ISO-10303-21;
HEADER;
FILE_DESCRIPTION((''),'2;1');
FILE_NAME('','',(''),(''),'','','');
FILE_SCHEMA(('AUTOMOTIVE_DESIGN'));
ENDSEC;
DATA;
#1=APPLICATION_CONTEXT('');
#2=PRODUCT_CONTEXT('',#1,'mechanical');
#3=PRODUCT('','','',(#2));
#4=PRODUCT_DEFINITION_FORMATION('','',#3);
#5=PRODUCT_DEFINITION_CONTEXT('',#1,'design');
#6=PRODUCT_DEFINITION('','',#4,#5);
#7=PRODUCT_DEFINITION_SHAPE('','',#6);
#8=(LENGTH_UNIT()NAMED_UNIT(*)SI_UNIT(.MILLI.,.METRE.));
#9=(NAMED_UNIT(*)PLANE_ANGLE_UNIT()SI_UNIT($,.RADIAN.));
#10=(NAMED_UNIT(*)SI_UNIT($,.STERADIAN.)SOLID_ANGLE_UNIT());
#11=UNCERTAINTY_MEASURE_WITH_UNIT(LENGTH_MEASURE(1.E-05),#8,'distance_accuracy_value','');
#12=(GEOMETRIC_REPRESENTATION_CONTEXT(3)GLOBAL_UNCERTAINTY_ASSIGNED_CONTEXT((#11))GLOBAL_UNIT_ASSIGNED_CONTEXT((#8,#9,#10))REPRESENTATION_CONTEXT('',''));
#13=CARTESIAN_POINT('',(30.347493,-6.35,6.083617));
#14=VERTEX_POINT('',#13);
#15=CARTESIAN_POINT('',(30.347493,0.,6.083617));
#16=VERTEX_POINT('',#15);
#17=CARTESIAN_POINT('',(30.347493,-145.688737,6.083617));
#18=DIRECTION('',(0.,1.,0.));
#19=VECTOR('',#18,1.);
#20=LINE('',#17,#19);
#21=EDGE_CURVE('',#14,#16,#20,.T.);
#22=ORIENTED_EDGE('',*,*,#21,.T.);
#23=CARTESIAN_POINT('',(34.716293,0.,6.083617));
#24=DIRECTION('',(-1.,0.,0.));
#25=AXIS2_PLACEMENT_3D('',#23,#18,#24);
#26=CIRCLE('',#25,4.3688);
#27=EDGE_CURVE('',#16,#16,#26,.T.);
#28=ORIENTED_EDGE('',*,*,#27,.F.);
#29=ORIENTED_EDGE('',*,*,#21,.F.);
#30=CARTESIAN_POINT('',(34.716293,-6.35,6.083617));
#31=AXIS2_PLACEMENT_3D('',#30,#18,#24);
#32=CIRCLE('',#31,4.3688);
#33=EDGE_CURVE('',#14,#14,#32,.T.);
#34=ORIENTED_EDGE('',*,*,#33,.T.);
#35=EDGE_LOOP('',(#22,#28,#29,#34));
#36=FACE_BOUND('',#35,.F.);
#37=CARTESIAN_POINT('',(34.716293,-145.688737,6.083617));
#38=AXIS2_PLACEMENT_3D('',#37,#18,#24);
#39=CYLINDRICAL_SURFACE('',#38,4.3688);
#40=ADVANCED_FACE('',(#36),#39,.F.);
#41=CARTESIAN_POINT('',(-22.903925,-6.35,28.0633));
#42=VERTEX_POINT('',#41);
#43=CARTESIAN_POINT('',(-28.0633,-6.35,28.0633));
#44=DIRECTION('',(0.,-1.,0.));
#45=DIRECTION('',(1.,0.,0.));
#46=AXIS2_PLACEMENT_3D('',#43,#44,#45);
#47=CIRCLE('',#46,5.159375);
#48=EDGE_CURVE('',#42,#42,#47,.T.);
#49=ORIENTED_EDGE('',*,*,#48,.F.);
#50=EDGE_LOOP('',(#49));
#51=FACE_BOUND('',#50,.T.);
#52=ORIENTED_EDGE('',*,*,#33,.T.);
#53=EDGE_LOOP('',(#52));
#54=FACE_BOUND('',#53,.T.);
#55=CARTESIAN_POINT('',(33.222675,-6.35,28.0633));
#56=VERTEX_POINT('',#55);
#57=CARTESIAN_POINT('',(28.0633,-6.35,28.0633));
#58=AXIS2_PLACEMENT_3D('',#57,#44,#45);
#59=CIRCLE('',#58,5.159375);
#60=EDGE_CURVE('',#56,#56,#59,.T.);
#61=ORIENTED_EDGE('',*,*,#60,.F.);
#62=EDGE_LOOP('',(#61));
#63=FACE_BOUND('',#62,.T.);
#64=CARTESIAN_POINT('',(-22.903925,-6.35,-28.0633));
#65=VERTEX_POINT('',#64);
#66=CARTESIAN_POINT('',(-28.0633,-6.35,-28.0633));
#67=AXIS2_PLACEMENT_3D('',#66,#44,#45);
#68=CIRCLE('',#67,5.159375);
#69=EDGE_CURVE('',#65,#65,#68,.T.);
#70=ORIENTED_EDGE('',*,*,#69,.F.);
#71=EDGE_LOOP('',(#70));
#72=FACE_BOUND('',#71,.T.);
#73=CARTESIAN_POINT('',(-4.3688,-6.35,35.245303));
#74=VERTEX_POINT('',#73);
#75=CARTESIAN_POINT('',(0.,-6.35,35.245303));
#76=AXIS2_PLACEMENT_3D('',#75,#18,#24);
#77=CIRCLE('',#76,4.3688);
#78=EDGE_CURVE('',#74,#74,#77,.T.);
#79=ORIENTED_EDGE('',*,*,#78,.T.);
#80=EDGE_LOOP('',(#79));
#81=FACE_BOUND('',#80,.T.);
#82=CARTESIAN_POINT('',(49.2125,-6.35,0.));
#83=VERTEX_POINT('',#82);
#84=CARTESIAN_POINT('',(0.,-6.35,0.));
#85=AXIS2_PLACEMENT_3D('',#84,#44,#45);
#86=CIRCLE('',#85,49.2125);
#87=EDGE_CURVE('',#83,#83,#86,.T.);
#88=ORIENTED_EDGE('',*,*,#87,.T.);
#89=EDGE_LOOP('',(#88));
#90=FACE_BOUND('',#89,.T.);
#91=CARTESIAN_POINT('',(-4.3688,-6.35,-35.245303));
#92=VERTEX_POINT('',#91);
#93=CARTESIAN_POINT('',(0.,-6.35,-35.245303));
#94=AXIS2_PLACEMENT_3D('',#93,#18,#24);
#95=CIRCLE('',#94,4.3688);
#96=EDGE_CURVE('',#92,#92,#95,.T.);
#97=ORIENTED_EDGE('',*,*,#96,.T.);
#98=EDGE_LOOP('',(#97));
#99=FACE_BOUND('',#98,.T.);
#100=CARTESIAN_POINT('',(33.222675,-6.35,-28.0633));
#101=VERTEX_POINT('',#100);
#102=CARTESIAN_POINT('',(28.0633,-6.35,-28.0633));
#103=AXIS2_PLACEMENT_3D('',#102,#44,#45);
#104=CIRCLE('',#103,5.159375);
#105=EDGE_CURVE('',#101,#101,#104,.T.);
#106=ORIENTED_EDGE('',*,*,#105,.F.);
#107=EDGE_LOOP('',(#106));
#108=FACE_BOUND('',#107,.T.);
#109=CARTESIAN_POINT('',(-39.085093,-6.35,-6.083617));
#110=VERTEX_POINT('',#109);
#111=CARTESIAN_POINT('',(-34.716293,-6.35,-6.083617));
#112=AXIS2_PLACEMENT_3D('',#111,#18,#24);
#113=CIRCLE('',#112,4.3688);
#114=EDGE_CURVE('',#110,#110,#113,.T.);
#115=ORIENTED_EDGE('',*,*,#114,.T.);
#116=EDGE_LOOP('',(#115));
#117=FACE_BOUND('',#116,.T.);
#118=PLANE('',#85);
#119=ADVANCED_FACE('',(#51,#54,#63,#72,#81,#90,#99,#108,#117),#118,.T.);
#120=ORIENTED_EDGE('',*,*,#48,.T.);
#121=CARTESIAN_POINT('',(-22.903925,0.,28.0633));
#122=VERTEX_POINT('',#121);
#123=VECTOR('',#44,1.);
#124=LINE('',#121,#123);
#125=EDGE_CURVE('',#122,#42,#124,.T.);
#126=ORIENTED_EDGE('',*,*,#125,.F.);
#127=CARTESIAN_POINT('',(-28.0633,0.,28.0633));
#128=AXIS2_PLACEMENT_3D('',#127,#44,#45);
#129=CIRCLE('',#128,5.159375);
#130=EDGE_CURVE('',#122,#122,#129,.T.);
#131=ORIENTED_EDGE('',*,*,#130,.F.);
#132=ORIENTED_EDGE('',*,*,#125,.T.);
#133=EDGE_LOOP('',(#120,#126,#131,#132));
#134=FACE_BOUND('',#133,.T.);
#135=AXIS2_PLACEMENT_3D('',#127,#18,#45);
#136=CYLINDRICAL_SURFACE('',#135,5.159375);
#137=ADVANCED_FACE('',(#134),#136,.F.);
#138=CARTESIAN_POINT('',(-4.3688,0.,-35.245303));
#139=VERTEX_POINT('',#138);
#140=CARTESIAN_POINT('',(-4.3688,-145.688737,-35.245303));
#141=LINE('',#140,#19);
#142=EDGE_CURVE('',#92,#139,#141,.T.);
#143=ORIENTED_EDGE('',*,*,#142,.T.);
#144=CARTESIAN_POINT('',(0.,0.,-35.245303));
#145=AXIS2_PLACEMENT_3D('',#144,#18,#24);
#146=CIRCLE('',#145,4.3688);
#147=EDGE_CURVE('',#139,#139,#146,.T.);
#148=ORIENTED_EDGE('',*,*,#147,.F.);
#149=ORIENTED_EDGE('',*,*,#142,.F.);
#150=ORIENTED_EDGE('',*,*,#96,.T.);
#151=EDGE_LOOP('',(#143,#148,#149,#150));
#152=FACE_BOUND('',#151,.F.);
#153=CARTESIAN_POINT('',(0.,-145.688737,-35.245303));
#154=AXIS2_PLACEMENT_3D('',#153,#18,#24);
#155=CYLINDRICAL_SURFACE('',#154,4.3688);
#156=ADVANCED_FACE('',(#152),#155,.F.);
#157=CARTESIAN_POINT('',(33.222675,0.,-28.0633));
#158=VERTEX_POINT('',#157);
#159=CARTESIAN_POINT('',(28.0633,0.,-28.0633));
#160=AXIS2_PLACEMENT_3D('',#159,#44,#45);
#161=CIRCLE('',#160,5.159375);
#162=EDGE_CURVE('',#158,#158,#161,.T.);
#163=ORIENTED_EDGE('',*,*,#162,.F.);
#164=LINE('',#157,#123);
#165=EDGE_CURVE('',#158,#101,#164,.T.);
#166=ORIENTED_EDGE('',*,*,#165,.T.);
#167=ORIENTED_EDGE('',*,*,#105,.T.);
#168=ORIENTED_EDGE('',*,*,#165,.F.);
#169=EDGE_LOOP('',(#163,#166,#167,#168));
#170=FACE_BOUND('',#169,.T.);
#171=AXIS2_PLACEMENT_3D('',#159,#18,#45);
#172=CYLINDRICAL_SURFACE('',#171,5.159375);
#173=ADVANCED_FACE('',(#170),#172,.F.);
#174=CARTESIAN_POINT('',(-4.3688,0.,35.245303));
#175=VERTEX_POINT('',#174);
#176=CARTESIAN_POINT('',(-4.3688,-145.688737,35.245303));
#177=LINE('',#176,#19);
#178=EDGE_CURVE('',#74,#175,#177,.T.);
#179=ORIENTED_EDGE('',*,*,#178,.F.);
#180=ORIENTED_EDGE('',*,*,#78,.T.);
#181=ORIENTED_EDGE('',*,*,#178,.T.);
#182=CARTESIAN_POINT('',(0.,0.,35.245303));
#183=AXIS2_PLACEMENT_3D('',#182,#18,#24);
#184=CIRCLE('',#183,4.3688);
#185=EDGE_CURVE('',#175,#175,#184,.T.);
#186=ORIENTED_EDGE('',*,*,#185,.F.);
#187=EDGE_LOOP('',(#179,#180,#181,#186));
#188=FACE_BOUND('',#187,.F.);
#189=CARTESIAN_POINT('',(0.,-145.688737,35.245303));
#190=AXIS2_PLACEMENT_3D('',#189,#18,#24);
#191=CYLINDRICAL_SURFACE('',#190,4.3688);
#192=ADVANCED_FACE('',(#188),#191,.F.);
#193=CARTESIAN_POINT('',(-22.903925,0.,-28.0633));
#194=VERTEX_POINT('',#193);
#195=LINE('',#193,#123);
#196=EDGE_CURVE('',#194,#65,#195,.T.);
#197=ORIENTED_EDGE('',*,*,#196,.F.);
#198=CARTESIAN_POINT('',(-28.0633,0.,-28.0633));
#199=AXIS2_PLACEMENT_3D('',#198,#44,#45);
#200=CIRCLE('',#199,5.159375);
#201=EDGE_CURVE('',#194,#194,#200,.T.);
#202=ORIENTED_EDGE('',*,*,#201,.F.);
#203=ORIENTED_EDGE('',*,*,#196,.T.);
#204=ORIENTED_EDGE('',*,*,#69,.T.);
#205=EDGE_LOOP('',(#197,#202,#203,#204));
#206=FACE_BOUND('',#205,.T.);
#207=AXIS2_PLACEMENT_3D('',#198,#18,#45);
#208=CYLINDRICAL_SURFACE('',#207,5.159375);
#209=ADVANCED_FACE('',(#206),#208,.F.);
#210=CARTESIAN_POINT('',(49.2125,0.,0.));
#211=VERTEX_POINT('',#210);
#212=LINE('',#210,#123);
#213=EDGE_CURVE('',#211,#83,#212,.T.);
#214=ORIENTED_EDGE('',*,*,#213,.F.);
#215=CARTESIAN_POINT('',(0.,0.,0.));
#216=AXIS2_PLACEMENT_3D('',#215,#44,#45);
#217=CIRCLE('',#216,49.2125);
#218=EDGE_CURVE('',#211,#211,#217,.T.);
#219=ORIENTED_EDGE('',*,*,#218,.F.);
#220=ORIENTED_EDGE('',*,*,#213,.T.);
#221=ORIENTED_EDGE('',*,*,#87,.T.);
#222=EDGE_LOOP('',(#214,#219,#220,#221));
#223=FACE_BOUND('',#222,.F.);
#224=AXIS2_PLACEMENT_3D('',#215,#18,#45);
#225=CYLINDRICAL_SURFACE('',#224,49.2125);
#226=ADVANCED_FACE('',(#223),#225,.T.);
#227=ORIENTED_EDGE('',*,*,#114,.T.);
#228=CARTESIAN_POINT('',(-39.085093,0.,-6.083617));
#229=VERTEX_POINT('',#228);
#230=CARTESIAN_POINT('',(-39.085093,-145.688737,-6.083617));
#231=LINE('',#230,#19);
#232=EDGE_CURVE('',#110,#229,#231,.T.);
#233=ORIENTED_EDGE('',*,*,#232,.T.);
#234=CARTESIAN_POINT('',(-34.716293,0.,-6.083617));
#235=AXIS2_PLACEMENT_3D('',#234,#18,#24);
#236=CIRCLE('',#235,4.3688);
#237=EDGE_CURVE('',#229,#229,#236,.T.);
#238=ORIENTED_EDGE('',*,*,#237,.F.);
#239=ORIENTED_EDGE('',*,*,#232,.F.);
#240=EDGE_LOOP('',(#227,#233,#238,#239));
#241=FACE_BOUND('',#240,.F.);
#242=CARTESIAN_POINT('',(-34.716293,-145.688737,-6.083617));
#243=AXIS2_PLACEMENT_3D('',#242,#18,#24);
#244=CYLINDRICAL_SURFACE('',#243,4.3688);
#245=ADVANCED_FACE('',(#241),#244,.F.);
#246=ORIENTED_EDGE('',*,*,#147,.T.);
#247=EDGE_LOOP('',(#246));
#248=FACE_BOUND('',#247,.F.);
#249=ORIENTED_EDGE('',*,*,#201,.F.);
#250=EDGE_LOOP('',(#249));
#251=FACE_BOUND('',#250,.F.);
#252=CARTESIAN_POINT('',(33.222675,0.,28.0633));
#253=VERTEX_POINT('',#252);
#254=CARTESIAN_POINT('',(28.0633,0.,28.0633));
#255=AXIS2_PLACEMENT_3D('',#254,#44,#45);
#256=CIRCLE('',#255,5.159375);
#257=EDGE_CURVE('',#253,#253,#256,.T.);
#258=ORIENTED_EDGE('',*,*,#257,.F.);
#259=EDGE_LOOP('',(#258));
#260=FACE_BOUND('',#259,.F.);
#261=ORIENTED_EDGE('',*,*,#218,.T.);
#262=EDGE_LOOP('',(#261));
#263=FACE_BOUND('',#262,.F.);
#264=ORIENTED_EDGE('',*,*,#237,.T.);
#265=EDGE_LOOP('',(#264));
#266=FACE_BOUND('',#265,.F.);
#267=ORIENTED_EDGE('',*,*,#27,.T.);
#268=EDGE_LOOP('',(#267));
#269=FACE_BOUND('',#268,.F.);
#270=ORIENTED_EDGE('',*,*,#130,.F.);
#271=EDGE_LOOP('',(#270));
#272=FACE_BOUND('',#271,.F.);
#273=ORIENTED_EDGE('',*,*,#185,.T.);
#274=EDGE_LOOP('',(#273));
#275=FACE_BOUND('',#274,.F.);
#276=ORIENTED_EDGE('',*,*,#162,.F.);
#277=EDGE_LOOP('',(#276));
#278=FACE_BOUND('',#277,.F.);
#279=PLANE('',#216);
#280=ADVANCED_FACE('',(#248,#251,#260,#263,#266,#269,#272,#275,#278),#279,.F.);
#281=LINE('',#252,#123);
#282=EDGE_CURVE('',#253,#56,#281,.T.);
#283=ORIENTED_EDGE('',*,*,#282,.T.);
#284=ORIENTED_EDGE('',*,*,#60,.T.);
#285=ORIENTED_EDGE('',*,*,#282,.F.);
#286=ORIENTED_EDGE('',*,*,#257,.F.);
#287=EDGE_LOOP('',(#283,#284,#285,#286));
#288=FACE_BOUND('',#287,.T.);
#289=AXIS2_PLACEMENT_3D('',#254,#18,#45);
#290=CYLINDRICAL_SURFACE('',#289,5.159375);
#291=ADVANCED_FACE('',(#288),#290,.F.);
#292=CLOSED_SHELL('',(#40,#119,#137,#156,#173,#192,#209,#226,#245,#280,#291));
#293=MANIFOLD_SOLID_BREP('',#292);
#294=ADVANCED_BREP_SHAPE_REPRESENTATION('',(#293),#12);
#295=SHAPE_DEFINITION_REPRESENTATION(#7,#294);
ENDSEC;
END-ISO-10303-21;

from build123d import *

# Parameters (mm, degrees)
F0_R     = 49.2125
F0_R_2   = 5.159375
F1_DEPTH = 6.35
F3_D     = 8.7376


with BuildPart() as f1:
    # F0 (on Front) → F1 (new body)
    with BuildSketch(Plane.XZ):
        Circle(F0_R)
        with Locations((-28.0633, -28.0633)):
            Circle(F0_R_2, mode=Mode.SUBTRACT)
        with Locations((28.0633, -28.0633)):
            Circle(F0_R_2, mode=Mode.SUBTRACT)
        with Locations((-28.0633, 28.0633)):
            Circle(F0_R_2, mode=Mode.SUBTRACT)
        with Locations((28.0633, 28.0633)):
            Circle(F0_R_2, mode=Mode.SUBTRACT)
    extrude(amount=F1_DEPTH)

    # F3 (through all)
    with Locations(Plane.XZ.offset(6.35)):
        with Locations((0, 35.245303), (34.716293, 6.083617), (0, -35.245303), (-34.716293, -6.083617)):
            Hole(F3_D / 2)


solid = f1.part
